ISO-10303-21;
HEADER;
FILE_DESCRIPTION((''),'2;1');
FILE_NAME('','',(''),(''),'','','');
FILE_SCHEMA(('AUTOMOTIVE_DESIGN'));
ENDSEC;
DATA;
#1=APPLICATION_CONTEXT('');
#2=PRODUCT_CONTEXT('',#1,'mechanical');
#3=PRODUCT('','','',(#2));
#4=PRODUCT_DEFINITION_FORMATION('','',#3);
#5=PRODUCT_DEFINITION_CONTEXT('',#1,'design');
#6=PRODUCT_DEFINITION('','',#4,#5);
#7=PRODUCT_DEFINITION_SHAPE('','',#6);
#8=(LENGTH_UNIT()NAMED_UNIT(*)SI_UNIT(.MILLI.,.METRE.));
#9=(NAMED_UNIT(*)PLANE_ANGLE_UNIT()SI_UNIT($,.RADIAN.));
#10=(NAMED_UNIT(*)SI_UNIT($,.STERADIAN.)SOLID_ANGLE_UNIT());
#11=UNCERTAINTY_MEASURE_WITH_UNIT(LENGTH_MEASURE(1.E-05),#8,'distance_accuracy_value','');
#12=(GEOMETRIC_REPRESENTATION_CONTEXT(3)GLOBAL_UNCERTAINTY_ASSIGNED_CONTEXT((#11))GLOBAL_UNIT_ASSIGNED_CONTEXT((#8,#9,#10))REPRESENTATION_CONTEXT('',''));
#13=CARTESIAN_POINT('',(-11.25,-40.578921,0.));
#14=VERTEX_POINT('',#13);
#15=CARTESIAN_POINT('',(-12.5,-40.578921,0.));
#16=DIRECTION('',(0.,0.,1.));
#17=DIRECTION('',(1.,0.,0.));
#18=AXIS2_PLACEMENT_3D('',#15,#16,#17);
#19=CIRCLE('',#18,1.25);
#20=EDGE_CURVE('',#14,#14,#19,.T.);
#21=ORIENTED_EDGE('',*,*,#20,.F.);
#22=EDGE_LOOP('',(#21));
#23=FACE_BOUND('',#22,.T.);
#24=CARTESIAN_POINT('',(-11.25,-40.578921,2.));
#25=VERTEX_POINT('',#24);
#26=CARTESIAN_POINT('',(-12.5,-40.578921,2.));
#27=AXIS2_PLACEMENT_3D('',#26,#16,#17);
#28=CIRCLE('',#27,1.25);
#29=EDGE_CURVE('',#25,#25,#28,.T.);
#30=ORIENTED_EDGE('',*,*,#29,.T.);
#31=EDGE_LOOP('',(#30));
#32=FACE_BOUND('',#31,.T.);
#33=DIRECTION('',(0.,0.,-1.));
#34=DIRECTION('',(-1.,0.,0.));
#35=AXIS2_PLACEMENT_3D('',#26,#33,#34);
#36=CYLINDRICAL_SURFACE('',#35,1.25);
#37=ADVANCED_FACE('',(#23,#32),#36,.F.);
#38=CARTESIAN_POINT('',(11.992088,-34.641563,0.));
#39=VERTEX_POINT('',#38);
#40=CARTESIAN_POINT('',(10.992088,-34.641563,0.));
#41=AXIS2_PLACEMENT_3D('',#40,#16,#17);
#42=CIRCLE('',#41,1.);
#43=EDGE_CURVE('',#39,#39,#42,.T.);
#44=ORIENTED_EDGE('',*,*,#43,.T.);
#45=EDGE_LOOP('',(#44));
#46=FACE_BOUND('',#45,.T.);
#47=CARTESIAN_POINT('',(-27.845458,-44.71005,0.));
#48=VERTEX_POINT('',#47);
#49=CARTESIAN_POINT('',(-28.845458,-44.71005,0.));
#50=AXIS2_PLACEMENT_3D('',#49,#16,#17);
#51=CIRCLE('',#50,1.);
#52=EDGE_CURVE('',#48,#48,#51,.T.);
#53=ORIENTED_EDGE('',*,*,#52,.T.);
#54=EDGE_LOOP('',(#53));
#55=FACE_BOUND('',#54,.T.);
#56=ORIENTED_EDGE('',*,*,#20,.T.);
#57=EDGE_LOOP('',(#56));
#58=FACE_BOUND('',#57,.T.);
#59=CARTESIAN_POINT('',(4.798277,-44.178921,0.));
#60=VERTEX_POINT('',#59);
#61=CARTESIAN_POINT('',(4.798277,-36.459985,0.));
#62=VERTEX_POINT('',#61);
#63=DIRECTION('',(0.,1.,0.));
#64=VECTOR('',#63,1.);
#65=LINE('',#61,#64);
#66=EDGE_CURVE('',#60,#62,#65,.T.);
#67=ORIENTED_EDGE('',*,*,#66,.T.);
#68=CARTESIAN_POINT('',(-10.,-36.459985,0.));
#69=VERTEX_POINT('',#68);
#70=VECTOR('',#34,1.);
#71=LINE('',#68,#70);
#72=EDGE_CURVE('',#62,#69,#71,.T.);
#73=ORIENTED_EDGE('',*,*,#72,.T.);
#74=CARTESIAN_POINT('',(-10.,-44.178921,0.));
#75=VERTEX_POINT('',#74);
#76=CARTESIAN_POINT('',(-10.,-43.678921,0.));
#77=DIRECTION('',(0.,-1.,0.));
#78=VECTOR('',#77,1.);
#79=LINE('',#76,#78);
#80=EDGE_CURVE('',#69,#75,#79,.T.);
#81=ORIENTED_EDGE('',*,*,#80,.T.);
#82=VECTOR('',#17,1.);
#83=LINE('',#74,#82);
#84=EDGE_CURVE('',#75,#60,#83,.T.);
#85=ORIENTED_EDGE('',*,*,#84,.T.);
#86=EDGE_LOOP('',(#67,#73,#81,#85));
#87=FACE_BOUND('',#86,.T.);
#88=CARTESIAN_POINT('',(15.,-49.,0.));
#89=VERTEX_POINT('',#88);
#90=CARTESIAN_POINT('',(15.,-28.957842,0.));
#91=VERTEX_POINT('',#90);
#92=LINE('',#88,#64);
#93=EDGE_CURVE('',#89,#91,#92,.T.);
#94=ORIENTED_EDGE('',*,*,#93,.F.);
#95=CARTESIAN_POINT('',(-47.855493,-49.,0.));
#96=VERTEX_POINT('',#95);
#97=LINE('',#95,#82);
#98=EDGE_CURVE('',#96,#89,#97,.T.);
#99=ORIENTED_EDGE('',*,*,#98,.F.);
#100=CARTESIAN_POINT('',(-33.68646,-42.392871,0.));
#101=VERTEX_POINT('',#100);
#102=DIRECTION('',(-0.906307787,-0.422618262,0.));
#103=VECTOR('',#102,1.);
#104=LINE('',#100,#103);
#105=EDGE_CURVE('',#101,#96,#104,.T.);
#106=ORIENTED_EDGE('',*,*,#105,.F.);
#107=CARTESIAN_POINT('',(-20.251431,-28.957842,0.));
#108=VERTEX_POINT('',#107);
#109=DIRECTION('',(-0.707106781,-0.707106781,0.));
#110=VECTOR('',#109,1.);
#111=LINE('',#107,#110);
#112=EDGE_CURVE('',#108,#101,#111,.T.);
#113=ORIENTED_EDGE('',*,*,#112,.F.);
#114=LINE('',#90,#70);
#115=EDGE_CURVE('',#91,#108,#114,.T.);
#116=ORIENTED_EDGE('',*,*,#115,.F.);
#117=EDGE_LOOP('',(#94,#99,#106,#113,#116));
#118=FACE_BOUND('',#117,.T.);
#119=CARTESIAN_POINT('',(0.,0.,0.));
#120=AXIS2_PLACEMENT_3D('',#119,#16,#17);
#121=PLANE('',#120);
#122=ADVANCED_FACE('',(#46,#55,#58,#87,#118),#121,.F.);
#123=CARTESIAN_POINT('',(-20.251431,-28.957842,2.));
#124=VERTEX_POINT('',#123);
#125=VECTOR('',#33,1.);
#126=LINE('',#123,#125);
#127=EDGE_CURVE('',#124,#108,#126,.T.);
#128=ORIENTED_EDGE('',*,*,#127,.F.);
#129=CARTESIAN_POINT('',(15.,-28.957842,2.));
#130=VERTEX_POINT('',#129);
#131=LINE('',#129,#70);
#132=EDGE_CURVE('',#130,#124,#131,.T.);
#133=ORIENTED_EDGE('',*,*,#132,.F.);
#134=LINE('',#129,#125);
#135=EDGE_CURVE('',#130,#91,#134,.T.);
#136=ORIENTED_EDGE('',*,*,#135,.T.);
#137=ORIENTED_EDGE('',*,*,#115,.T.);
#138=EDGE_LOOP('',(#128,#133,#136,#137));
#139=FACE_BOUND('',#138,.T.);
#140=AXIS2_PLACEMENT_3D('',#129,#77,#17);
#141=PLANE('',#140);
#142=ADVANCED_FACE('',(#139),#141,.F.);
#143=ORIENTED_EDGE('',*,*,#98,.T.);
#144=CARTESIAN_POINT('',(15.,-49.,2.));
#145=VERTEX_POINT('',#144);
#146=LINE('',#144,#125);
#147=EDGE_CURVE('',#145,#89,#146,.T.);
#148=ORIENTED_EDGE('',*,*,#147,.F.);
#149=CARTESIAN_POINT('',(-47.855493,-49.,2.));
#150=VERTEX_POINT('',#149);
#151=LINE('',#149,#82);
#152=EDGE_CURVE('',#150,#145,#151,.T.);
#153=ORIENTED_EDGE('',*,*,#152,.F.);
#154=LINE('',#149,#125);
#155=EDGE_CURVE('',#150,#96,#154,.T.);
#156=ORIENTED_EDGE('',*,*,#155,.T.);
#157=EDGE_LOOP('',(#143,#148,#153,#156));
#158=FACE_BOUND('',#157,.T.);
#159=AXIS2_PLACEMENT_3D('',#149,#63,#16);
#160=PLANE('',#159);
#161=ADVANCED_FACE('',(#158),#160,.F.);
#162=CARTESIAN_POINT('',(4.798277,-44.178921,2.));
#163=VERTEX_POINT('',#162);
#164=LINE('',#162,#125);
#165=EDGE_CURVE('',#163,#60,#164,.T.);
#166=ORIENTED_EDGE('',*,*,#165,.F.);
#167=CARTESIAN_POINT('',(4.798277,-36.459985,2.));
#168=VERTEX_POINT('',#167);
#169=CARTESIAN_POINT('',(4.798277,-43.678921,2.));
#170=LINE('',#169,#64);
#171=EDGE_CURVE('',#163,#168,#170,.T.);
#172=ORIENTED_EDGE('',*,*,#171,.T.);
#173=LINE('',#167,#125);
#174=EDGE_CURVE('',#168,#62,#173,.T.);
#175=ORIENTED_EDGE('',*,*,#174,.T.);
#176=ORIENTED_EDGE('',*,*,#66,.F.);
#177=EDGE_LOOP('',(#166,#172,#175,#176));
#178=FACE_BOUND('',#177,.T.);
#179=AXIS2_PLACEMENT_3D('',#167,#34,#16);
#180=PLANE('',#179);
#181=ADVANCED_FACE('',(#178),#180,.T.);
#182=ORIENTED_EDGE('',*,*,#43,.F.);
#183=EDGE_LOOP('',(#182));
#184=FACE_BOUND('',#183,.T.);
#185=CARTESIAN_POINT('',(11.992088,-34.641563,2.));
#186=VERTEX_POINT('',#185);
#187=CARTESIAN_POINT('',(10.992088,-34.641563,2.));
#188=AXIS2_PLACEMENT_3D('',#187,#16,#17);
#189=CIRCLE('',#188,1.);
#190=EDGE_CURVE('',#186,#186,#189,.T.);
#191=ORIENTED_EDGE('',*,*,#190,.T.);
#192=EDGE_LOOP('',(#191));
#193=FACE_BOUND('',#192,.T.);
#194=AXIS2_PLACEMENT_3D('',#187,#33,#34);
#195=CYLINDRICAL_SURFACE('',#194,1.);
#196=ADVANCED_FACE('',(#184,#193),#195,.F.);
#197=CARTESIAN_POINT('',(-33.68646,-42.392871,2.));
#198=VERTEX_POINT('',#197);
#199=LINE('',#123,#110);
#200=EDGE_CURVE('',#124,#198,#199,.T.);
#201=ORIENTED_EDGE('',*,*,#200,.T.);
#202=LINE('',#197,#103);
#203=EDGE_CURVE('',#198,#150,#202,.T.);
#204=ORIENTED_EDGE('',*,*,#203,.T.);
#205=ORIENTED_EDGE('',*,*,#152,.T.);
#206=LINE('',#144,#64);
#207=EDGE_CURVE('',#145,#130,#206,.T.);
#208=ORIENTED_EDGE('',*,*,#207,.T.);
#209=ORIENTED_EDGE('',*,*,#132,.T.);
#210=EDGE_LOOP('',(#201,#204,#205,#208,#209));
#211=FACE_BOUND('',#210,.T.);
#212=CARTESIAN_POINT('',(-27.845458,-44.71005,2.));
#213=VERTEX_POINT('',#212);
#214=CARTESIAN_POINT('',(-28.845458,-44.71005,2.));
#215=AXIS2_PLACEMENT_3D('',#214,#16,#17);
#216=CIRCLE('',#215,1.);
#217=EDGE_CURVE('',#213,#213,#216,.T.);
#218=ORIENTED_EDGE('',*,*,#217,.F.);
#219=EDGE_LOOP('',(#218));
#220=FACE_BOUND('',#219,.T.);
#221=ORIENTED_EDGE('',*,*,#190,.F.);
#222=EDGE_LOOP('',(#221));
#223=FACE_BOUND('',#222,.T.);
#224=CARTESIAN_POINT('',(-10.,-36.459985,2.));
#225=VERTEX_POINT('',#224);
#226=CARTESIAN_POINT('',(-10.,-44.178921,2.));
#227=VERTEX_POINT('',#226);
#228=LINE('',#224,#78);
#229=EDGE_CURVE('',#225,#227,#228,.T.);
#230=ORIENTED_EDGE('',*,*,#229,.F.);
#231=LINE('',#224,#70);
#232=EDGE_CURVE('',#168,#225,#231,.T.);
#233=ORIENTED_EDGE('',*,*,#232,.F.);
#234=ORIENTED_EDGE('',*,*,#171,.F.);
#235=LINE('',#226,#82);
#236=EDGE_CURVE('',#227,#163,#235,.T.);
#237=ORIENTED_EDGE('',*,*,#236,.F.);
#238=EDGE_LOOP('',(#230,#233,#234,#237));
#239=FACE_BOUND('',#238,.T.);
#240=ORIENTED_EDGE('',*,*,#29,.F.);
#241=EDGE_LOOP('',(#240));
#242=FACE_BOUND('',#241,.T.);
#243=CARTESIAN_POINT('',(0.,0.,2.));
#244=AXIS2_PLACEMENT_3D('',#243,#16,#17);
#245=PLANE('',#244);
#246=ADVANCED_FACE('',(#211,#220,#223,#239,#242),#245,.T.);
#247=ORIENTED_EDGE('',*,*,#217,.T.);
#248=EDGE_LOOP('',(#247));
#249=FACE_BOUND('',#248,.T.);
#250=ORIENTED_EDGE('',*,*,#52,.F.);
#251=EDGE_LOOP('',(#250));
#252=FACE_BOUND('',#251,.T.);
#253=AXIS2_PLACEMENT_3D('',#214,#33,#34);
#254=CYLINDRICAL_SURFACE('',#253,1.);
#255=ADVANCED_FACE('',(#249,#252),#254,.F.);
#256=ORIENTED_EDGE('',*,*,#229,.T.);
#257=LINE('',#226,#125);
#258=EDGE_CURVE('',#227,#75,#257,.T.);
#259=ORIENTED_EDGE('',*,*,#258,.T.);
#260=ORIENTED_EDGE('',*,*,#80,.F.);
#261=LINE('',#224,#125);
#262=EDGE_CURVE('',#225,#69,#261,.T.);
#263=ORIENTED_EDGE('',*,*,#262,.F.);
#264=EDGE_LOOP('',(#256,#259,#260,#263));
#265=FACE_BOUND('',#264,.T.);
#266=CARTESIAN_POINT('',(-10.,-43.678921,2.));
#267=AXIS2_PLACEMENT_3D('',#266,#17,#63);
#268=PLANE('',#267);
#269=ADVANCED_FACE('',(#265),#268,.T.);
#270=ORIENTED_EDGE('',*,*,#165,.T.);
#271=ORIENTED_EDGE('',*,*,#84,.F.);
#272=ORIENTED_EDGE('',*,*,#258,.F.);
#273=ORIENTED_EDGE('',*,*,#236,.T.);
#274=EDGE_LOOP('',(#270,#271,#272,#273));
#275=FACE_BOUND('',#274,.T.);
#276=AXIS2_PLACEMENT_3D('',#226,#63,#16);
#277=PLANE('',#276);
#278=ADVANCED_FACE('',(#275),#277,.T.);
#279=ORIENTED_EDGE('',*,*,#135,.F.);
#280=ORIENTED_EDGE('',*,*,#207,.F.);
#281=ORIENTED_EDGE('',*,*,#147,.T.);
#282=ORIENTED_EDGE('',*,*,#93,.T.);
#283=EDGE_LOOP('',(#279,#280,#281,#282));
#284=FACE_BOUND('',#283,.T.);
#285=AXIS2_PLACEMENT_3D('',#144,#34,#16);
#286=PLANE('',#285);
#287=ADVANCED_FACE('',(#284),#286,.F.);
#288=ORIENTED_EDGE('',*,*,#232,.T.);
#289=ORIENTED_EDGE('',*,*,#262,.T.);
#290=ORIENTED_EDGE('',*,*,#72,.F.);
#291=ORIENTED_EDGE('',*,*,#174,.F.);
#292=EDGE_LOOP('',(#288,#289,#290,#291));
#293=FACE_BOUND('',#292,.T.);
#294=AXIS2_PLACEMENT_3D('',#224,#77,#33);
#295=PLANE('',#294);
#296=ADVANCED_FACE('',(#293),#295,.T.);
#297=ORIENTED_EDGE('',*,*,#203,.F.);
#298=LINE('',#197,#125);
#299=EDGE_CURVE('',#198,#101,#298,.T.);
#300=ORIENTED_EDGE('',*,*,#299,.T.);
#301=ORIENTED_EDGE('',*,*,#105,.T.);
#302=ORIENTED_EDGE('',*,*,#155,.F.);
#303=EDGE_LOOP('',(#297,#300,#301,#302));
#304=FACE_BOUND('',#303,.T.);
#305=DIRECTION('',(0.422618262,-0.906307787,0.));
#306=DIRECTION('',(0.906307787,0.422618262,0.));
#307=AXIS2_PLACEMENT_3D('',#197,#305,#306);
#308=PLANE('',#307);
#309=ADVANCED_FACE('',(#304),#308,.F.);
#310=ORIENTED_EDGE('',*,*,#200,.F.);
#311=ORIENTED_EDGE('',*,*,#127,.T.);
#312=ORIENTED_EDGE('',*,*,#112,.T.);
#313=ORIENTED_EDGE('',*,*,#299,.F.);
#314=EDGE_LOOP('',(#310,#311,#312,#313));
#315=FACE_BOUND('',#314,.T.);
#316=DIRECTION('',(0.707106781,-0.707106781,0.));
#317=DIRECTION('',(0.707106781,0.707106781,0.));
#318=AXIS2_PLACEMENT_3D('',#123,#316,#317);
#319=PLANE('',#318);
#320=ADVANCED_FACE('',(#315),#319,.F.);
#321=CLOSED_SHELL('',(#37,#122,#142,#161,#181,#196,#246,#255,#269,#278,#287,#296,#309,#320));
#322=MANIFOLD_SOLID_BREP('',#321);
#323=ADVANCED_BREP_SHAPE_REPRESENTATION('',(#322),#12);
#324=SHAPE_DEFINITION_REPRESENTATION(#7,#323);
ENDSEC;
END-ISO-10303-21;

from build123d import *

# Parameters (mm, degrees)
SKETCH_1_R      = 1.25
SKETCH_1_R_2    = 1
EXTRUDE_1_DEPTH = 2


with BuildPart() as part:
    # Эскиз1 → Бобышка-Вытянуть1 (new body)
    with BuildSketch(Plane.XY):
        Polygon((15, -49), (15, -28.957842446), (-20.251430991, -28.957842446), (-33.686459833, -42.392871289), (-47.855493079, -49), align=None)
        with Locations((-12.5, -40.578921223)):
            Circle(SKETCH_1_R, mode=Mode.SUBTRACT)
        with Locations((-28.845458385, -44.710050328)):
            Circle(SKETCH_1_R_2, mode=Mode.SUBTRACT)
        with Locations((10.992087761, -34.64156265)):
            Circle(SKETCH_1_R_2, mode=Mode.SUBTRACT)
        Polygon((-10, -36.459984998), (4.798276813, -36.459984998), (4.798276813, -43.678921223), (4.798276813, -44.178921223), (-10, -44.178921223), (-10, -43.678921223), align=None, mode=Mode.SUBTRACT)
    extrude(amount=EXTRUDE_1_DEPTH)


solid = part.part
